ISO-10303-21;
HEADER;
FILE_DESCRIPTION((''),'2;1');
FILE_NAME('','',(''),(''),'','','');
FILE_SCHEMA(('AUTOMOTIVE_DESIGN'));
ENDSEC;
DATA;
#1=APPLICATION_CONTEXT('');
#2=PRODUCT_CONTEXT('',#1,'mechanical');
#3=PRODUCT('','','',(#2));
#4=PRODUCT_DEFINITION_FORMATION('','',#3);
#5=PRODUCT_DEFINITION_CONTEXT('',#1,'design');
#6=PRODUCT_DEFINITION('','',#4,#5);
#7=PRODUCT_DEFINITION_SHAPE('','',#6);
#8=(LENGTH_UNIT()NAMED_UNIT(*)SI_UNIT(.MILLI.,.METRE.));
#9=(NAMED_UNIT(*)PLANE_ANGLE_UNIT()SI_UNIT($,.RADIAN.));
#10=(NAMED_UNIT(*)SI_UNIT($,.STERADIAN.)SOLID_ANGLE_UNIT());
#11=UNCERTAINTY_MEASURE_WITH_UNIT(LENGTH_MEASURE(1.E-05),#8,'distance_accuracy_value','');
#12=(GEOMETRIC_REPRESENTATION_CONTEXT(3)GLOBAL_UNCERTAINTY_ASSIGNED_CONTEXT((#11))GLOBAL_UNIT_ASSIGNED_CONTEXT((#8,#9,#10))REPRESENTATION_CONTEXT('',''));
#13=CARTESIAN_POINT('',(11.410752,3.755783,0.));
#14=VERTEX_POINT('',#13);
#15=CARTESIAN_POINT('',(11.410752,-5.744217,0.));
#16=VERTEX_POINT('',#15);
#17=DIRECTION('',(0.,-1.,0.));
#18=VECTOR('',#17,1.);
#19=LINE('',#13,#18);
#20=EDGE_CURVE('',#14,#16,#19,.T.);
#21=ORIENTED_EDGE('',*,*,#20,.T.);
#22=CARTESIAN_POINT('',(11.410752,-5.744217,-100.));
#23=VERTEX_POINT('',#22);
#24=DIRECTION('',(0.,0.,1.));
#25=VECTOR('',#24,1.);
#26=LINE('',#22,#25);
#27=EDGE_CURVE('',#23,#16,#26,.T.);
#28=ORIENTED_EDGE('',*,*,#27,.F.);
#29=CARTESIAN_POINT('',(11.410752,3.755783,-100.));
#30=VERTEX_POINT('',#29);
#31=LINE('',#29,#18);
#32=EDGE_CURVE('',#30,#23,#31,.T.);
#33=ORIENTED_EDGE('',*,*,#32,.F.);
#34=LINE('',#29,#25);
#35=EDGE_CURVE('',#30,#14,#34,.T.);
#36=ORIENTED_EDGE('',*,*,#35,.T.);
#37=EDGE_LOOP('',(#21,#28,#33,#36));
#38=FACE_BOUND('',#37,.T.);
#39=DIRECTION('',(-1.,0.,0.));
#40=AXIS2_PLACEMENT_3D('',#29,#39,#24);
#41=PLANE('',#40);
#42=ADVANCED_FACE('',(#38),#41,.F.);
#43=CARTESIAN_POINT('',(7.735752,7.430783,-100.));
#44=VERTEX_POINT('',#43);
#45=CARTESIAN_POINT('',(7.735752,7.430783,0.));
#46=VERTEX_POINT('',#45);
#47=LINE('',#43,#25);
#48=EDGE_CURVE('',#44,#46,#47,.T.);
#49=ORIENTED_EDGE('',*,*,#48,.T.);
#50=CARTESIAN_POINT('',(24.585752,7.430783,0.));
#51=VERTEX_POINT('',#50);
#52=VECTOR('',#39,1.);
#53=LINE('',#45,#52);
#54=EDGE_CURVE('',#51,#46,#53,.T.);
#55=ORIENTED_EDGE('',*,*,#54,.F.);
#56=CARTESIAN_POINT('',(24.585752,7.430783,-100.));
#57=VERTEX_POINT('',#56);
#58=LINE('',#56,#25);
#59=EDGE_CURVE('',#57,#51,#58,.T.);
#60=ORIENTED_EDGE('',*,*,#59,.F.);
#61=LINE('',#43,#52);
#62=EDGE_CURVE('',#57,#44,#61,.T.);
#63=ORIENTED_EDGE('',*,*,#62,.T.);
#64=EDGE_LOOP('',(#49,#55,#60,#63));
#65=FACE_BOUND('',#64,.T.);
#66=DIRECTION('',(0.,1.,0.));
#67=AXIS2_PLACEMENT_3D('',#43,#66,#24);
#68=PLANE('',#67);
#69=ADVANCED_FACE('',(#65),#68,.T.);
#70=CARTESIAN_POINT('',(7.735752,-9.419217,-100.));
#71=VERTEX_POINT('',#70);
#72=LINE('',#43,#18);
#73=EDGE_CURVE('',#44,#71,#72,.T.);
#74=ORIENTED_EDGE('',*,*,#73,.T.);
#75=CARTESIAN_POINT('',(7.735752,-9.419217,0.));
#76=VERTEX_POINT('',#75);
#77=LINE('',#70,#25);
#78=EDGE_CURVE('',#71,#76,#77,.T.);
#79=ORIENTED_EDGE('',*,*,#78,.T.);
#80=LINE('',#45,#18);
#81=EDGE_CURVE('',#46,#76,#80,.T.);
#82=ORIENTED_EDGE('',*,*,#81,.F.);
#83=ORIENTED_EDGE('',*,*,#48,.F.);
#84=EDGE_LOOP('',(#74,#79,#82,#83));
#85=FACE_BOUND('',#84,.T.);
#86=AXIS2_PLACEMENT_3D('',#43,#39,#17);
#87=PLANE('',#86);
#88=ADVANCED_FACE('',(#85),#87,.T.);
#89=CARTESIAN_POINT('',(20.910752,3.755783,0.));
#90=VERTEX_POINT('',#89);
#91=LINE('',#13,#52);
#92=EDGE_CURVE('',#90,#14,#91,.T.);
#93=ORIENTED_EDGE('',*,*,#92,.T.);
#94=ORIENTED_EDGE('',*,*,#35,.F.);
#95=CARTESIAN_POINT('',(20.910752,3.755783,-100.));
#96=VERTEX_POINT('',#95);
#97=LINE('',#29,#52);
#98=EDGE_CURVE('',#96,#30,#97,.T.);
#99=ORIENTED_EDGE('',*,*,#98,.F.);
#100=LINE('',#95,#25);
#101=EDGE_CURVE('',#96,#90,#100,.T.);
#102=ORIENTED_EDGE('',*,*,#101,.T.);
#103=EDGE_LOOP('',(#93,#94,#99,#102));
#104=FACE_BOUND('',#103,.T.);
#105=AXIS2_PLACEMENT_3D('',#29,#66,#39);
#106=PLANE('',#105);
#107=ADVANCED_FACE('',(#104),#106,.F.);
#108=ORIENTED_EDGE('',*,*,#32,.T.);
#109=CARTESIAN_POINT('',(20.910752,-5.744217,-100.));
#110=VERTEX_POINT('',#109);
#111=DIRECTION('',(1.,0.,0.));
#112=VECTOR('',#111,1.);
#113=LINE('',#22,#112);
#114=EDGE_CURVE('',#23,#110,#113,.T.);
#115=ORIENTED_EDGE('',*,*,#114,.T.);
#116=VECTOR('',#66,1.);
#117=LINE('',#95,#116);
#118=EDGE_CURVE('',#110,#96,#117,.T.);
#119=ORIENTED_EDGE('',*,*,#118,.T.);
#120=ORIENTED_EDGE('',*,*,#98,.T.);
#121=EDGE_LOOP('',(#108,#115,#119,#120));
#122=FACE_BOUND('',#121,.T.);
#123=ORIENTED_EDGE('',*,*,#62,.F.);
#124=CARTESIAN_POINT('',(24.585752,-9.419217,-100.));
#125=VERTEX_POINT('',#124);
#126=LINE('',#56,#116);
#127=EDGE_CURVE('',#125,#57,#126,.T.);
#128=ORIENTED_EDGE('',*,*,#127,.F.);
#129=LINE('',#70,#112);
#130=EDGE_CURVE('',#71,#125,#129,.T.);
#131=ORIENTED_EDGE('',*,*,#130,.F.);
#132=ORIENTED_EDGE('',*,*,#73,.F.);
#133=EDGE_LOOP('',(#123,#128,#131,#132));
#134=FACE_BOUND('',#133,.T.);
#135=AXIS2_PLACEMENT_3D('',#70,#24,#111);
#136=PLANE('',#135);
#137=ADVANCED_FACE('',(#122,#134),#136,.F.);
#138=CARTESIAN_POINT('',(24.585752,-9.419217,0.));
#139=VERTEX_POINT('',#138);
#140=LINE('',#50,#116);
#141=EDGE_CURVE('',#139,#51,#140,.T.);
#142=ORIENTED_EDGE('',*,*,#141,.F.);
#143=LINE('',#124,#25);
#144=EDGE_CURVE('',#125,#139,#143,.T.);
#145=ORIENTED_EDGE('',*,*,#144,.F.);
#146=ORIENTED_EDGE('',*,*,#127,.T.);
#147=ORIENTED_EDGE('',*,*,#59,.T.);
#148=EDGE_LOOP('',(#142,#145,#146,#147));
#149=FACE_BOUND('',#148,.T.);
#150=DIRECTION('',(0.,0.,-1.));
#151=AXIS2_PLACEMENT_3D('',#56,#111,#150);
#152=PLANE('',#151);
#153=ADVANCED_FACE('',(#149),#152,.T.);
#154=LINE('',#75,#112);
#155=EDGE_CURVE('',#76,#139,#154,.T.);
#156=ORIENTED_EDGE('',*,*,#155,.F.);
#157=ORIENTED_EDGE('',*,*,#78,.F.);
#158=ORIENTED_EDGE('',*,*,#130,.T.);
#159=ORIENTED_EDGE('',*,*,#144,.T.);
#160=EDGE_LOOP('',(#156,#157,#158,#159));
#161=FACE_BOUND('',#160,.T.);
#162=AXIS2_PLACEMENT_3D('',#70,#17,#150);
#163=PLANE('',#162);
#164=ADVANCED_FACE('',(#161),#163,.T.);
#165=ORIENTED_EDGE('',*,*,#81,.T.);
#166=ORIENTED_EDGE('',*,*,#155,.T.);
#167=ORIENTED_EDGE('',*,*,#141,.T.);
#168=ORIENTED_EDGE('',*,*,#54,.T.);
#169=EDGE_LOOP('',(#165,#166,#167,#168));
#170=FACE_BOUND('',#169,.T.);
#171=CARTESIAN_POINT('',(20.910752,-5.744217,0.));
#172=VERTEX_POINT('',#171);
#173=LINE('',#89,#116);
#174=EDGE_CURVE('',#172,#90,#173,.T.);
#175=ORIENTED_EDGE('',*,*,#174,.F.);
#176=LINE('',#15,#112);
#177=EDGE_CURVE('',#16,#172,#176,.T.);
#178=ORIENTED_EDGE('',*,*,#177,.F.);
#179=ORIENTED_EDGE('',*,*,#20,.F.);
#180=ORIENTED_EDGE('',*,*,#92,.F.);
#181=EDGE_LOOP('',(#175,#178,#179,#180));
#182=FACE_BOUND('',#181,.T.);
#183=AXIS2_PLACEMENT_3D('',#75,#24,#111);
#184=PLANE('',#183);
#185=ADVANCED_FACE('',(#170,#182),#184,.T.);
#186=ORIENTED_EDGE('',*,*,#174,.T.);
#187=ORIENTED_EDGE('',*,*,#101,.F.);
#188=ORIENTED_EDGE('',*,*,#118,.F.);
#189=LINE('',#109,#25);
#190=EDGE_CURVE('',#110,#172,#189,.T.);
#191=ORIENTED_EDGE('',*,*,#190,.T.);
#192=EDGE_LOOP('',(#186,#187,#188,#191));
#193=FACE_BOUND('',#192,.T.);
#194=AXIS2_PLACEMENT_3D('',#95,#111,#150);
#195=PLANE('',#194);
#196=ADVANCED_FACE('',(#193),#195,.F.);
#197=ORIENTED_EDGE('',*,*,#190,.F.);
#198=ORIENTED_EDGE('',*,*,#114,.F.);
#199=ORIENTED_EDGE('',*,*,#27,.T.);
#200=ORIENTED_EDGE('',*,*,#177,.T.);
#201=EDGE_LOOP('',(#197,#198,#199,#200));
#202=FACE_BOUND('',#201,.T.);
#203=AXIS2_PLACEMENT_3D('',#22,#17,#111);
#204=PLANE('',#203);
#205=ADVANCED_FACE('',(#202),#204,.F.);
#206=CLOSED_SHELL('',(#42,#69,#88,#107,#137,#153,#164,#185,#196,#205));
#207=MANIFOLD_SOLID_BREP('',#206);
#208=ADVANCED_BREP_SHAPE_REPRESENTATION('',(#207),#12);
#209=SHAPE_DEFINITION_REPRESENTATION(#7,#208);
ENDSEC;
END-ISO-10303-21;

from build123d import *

# Parameters (mm, degrees)
SKETCH1_W           = 16.85
SKETCH1_H           = 16.85
SKETCH1_W_2         = 9.5
SKETCH1_H_2         = 9.5
BOSS_EXTRUDE1_DEPTH = 100


with BuildPart() as part:
    # Sketch1 → Boss-Extrude1 (new body)
    with BuildSketch(Plane.XY):
        with Locations((16.160752053, -0.994216696)):
            Rectangle(SKETCH1_W, SKETCH1_H)
        with Locations((16.160752053, -0.994216696)):
            Rectangle(SKETCH1_W_2, SKETCH1_H_2, mode=Mode.SUBTRACT)
    extrude(amount=-BOSS_EXTRUDE1_DEPTH)


solid = part.part
